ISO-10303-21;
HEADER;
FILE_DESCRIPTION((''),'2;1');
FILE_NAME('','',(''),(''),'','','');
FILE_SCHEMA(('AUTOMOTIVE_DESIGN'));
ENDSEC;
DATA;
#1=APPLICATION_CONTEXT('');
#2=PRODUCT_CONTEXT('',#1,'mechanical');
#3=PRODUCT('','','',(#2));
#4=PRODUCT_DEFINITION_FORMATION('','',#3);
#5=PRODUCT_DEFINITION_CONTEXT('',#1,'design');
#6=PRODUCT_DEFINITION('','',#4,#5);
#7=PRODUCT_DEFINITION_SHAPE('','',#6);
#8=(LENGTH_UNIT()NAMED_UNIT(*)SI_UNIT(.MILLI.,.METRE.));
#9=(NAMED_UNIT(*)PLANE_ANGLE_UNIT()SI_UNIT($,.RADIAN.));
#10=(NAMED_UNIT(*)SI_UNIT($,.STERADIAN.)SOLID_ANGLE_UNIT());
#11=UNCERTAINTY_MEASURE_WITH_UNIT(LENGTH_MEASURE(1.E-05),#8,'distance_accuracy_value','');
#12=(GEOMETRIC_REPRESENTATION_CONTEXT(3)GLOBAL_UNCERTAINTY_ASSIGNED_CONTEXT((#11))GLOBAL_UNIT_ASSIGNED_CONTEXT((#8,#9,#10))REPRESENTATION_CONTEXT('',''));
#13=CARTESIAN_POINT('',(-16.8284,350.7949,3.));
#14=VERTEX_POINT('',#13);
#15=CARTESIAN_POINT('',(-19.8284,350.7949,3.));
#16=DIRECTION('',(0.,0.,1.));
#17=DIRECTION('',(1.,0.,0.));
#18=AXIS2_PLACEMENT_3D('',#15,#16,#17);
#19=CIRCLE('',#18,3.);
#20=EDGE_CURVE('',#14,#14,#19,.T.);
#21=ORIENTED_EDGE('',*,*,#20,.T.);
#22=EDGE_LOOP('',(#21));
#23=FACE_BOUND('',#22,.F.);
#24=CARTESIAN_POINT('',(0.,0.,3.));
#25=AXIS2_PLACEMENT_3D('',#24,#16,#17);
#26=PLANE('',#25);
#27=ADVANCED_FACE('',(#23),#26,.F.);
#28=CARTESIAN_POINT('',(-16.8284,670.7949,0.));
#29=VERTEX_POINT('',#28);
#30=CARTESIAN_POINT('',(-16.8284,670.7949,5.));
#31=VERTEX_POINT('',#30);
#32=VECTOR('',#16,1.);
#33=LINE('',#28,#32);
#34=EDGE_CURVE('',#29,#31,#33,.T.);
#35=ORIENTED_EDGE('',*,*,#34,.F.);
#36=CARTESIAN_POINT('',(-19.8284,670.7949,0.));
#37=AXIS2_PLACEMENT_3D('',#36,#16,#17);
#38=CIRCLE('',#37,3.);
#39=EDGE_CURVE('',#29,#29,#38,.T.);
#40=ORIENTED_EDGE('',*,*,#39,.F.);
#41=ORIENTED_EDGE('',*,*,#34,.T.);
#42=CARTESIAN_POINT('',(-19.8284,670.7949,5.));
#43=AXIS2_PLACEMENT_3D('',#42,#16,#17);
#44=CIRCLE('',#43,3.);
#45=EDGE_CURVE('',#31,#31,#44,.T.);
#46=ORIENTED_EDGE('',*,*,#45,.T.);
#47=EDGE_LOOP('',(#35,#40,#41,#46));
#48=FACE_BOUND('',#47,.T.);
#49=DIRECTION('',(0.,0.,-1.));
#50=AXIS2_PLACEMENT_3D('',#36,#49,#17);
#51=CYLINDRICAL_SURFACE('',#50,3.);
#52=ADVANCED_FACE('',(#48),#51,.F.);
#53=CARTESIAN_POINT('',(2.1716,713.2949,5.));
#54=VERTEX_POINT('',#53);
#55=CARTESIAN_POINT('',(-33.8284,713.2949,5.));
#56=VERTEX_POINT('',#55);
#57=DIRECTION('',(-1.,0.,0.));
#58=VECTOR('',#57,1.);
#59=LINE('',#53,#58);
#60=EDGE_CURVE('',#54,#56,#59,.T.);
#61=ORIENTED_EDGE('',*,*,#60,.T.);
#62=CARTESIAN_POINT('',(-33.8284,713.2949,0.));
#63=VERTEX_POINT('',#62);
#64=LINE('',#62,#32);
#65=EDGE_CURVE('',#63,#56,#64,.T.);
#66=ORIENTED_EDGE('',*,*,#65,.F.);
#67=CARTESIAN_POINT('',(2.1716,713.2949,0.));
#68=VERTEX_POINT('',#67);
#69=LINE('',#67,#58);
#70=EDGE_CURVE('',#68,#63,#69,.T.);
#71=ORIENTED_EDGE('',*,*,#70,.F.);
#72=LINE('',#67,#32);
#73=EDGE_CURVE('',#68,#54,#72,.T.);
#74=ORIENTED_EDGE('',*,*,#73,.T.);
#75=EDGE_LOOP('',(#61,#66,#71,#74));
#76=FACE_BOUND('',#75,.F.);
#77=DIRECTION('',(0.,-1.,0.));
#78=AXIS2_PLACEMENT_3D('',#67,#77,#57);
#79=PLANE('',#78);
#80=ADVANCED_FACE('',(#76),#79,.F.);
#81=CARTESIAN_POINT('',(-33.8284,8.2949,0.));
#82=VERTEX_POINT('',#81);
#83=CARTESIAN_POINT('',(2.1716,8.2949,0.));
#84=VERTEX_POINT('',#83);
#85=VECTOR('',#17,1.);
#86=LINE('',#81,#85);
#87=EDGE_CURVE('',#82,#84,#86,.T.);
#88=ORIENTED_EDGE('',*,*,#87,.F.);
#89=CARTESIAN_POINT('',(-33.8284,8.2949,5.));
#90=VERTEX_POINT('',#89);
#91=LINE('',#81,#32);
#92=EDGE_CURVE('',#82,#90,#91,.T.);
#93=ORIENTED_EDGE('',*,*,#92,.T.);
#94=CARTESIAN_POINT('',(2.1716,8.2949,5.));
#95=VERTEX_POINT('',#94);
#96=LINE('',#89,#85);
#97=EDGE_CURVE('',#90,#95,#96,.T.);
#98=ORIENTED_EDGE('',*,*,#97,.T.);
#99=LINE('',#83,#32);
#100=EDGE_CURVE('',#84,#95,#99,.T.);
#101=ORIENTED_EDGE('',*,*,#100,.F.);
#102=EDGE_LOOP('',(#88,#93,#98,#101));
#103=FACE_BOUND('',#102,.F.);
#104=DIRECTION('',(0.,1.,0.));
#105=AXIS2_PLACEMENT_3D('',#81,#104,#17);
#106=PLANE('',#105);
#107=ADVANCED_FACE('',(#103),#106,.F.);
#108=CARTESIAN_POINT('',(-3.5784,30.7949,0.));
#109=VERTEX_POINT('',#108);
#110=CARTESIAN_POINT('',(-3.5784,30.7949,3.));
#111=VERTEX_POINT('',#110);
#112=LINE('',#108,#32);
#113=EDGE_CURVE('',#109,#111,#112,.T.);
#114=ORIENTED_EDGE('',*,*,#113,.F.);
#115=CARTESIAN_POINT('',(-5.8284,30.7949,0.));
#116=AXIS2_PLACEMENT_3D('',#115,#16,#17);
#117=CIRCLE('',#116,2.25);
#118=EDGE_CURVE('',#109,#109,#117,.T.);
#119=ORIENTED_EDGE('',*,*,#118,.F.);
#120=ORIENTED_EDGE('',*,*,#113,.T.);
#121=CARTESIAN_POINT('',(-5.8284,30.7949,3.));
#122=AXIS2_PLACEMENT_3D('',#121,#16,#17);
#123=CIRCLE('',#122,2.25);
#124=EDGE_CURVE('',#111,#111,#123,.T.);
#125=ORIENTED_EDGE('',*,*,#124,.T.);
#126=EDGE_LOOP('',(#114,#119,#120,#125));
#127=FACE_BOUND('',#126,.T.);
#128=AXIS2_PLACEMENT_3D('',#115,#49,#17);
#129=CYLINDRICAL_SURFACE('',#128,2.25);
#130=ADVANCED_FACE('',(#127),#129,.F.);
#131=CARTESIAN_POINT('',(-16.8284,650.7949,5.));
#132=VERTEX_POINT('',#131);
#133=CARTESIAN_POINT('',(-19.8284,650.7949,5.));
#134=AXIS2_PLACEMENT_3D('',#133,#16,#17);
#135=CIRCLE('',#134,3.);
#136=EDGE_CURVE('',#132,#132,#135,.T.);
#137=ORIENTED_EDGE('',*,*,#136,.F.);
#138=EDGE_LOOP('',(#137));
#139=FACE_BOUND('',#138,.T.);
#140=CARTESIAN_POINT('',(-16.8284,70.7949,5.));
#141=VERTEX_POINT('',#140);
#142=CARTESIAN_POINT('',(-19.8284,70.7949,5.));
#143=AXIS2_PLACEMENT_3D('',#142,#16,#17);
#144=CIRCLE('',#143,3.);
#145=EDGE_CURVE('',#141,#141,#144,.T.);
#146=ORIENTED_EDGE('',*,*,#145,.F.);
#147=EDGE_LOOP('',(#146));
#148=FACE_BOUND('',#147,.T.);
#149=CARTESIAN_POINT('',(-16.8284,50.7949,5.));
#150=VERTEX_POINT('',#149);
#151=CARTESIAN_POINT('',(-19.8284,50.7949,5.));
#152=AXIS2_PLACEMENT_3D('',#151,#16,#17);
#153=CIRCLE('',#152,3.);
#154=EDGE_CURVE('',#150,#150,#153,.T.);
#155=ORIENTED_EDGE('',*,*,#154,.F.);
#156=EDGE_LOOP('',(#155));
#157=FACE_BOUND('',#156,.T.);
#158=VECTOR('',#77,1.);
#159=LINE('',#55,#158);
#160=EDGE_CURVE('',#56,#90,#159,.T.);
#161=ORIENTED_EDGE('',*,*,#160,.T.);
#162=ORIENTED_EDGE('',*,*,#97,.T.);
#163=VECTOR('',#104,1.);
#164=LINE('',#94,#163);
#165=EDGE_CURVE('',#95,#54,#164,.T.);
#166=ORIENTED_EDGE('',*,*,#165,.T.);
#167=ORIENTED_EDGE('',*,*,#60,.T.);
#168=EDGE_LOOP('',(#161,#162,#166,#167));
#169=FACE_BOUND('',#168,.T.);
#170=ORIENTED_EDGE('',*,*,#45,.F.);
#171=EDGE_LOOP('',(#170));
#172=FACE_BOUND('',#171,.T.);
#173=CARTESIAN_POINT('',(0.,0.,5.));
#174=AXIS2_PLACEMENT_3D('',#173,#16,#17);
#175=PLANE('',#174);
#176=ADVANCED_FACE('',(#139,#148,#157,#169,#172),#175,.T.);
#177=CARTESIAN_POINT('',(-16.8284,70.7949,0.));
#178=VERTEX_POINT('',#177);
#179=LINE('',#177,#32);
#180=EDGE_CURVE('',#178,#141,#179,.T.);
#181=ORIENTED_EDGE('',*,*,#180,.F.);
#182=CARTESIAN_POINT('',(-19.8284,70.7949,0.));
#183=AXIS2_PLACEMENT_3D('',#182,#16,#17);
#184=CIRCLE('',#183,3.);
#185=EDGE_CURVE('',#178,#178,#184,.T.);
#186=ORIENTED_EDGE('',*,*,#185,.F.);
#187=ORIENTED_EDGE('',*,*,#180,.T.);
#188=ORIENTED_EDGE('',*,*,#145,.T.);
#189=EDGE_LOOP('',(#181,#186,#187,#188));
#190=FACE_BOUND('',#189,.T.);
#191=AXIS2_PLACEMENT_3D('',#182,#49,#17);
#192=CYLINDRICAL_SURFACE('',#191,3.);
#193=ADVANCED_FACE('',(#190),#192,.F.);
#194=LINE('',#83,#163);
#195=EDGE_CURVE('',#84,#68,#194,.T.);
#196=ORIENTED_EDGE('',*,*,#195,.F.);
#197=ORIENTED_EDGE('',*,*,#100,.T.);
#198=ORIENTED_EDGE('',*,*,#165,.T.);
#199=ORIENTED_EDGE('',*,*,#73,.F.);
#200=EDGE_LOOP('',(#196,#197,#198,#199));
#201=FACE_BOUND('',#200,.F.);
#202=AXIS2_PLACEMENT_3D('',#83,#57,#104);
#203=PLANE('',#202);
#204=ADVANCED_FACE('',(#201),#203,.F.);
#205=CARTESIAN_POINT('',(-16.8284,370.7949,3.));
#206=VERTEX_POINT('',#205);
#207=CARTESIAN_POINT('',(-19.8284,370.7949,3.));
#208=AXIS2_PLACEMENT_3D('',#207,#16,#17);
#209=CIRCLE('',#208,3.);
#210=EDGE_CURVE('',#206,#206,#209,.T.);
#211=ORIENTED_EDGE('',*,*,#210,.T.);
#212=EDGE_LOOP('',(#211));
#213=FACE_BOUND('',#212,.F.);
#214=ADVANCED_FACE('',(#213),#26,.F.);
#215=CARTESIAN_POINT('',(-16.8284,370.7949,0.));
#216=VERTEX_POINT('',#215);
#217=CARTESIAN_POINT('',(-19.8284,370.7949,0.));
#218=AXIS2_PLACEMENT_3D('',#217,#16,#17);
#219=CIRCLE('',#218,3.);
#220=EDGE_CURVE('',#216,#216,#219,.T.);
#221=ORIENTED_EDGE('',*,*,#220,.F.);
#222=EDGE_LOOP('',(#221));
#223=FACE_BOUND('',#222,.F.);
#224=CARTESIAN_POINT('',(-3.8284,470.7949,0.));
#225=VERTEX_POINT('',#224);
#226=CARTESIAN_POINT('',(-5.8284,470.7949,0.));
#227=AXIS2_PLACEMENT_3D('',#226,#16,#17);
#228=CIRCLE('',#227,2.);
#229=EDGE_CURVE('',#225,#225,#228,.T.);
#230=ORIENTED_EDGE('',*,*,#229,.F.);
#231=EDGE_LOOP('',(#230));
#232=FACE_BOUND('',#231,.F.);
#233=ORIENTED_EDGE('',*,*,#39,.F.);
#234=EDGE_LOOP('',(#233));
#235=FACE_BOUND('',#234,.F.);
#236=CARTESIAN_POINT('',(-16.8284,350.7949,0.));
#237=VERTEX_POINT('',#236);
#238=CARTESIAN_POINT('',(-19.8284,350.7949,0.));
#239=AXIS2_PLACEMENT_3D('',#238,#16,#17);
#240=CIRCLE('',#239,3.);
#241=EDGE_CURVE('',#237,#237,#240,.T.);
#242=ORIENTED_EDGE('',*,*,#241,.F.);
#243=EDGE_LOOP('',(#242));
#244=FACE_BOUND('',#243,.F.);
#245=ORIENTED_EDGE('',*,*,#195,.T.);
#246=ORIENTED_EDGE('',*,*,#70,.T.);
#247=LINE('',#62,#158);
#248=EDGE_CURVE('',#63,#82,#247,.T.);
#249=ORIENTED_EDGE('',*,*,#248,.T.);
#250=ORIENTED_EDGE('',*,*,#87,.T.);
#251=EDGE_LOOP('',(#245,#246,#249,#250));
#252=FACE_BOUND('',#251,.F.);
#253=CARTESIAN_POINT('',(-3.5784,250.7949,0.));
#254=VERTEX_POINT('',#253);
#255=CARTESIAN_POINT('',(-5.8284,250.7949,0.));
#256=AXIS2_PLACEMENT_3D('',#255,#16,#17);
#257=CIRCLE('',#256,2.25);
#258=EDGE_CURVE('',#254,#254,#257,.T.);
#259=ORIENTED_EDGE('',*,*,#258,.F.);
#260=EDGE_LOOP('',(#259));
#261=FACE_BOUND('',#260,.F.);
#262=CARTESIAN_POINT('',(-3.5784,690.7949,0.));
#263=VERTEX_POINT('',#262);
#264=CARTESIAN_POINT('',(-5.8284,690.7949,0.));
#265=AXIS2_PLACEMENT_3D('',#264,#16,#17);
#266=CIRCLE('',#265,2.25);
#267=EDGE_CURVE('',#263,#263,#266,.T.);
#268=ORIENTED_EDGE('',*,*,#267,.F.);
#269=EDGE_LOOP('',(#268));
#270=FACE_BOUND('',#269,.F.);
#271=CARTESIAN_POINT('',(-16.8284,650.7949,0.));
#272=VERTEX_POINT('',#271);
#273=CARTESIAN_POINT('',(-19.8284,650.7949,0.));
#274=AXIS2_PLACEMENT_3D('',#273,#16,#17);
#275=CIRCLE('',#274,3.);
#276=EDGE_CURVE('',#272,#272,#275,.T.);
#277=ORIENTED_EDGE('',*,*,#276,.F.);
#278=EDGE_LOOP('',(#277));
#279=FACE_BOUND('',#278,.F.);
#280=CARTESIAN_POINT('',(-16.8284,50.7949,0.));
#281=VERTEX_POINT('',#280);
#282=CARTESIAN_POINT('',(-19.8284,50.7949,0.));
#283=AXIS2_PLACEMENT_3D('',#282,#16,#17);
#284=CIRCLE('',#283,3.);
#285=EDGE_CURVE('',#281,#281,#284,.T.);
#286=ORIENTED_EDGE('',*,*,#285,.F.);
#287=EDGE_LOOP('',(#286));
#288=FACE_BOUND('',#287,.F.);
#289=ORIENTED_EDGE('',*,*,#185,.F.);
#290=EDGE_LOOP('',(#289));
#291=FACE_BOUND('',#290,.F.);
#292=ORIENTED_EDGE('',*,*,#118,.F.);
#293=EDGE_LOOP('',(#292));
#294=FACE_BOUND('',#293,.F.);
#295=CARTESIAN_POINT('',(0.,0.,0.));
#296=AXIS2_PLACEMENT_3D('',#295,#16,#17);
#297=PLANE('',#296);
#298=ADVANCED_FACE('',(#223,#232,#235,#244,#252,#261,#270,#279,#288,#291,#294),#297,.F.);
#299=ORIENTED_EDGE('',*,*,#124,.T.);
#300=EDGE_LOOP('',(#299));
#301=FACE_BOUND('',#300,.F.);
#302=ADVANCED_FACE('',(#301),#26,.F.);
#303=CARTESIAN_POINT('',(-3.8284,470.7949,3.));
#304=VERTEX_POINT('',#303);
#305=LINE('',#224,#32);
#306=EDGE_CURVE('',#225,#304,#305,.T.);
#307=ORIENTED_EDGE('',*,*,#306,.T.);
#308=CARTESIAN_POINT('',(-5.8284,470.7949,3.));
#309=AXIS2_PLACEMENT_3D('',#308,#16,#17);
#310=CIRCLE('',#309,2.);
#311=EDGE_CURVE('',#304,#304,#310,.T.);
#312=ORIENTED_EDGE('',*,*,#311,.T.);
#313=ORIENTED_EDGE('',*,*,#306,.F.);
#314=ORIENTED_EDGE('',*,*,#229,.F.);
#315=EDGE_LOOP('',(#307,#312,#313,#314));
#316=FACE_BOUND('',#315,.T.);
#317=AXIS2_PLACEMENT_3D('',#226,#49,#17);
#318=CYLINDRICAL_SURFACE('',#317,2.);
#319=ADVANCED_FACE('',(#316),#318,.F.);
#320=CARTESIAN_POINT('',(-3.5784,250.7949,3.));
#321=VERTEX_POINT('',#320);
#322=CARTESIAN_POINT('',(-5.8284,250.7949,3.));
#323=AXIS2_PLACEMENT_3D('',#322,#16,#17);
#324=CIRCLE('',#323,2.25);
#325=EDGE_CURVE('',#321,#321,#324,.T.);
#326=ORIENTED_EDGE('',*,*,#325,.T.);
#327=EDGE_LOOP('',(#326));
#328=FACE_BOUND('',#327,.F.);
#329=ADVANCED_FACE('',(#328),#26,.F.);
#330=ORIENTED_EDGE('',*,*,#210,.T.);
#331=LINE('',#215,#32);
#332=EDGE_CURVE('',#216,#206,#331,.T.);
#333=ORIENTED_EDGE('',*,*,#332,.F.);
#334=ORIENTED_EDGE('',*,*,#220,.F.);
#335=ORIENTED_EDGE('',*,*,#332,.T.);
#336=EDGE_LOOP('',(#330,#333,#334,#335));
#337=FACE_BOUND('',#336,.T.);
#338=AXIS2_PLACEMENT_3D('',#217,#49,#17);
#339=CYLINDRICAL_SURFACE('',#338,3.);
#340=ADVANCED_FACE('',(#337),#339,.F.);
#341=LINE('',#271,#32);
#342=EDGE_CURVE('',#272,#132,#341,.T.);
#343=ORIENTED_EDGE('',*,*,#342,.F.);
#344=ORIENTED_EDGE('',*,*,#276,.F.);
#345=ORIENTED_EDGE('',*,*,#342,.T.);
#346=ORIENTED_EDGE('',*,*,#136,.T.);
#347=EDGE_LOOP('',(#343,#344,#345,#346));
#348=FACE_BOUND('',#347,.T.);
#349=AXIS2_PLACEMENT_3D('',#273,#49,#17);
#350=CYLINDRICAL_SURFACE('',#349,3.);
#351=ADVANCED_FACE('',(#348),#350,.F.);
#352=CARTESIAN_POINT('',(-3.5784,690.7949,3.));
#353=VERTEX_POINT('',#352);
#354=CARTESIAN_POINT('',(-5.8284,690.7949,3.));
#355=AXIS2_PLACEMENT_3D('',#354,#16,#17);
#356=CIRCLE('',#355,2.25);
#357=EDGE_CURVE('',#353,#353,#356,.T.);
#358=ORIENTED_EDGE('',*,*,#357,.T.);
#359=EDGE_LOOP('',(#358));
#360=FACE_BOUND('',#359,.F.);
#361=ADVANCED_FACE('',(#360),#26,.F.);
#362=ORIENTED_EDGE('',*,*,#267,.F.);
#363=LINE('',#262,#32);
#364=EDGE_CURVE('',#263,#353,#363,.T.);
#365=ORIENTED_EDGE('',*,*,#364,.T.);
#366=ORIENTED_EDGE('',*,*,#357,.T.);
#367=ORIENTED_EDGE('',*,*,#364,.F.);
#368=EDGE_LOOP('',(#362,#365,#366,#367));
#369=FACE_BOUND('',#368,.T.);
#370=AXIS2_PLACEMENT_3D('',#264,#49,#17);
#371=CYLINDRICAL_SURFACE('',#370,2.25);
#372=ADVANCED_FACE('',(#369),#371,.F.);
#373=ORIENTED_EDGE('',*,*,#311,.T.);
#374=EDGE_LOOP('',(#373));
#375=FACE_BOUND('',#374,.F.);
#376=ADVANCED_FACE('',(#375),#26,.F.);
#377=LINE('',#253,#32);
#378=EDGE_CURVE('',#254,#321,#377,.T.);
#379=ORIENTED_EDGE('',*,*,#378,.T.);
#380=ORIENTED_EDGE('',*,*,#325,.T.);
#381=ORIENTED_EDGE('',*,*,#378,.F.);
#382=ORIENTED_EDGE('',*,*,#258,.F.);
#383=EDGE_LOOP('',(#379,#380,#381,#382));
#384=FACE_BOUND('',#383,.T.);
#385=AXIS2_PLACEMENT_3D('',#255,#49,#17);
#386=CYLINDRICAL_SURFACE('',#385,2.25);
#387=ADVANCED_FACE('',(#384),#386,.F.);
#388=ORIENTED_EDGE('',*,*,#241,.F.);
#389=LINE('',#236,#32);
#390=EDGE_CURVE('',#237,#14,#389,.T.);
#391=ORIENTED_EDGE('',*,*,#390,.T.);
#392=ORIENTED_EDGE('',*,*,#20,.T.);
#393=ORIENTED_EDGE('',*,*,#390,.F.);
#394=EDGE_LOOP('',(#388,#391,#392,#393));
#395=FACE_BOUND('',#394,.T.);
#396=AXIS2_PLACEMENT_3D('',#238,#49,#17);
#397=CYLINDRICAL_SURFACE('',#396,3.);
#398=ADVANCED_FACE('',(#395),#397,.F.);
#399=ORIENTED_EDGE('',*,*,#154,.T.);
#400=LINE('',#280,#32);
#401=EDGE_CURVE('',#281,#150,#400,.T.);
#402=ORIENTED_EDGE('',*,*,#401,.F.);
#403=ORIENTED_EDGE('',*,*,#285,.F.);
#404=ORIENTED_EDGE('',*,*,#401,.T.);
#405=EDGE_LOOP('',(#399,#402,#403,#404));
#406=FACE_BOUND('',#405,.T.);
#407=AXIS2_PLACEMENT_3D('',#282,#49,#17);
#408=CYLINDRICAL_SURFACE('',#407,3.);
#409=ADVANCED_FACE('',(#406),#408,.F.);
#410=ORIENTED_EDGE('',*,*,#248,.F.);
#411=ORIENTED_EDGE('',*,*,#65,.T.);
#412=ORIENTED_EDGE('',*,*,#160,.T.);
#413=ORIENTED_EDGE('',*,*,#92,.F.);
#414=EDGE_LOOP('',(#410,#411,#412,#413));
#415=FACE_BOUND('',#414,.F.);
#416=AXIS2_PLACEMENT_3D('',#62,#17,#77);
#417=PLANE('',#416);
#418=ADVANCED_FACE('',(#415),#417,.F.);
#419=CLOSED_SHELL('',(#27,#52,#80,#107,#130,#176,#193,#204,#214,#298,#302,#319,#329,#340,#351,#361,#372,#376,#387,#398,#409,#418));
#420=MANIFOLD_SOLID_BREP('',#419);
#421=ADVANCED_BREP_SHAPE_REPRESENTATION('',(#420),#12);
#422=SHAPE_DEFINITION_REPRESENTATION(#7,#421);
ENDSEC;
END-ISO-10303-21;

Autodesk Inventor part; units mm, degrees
ref_plane "YZ Plane" through (0, 0, 0) normal (1, 0, 0) x (0, 1, 0)
ref_plane "XZ Plane" through (0, 0, 0) normal (0, 1, 0) x (-1, 0, 0)
ref_plane "XY Plane" through (0, 0, 0) normal (0, 0, 1) x (1, 0, 0)
sketch "Sketch1" plane through (0, 0, 0) normal (0, 0, 1) x (1, 0, 0)
  line L0 (-33.8284, 8.2949) -> (2.1716, 8.2949)
  line L1 (2.1716, 8.2949) -> (2.1716, 713.2949)
  line L2 (2.1716, 713.2949) -> (-33.8284, 713.2949)
  line L3 (-33.8284, 713.2949) -> (-33.8284, 8.2949)
  circle A0 centre (-19.8284, 670.7949) radius 3
  circle A1 centre (-19.8284, 650.7949) radius 3
  circle A2 centre (-19.8284, 70.7949) radius 3
  circle A3 centre (-19.8284, 50.7949) radius 3
  circle A4 centre (-19.8284, 370.7949) radius 3
  circle A5 centre (-19.8284, 350.7949) radius 3
  circle A6 centre (-5.8284, 250.7949) radius 2.25
  circle A7 centre (-5.8284, 30.7949) radius 2.25
  circle A8 centre (-5.8284, 690.7949) radius 2.25
  circle A9 centre (-5.8284, 470.7949) radius 2
  point P0 (0, 0)
  dimension "d0" = 36
  dimension "d1" = 705
  dimension "d2" = 6
  dimension "d3" = 6
  dimension "d4" = 20
  dimension "d5" = 6
  dimension "d6" = 6
  dimension "d7" = 20
  dimension "d8" = 600
  dimension "d9" = 42.5
  dimension "d10" = 14
  dimension "d13" = 6
  dimension "d14" = 6
  dimension "d15" = 20
  dimension "d16" = 300
  dimension "d21" = 4.5
  dimension "d22" = 4.5
  dimension "d23" = 4.5
  dimension "d24" = 4
  dimension "d25" = 8
  dimension "d26" = 220
  dimension "d27" = 220
  dimension "d28" = 220
  dimension "d29" = 22.5
extrude "Extrusion1" add sketch "Sketch1" along normal blind 5 contours L3 L2 L1 L0 | A4 | A5 | A6 | A7 | A8 | A9
extrude "Extrusion2" cut sketch "Sketch1" along normal blind 3 contours A5
extrude "Extrusion3" cut sketch "Sketch1" along normal blind 3 contours A4
extrude "Extrusion4" cut sketch "Sketch1" along normal blind 3 contours A6 | A7 | A8 | A9
equation "\"d27\" = d26"
equation "\"d28\" = d26"
properties part number "TuerHalter" material "Polycarbonate, Clear"
